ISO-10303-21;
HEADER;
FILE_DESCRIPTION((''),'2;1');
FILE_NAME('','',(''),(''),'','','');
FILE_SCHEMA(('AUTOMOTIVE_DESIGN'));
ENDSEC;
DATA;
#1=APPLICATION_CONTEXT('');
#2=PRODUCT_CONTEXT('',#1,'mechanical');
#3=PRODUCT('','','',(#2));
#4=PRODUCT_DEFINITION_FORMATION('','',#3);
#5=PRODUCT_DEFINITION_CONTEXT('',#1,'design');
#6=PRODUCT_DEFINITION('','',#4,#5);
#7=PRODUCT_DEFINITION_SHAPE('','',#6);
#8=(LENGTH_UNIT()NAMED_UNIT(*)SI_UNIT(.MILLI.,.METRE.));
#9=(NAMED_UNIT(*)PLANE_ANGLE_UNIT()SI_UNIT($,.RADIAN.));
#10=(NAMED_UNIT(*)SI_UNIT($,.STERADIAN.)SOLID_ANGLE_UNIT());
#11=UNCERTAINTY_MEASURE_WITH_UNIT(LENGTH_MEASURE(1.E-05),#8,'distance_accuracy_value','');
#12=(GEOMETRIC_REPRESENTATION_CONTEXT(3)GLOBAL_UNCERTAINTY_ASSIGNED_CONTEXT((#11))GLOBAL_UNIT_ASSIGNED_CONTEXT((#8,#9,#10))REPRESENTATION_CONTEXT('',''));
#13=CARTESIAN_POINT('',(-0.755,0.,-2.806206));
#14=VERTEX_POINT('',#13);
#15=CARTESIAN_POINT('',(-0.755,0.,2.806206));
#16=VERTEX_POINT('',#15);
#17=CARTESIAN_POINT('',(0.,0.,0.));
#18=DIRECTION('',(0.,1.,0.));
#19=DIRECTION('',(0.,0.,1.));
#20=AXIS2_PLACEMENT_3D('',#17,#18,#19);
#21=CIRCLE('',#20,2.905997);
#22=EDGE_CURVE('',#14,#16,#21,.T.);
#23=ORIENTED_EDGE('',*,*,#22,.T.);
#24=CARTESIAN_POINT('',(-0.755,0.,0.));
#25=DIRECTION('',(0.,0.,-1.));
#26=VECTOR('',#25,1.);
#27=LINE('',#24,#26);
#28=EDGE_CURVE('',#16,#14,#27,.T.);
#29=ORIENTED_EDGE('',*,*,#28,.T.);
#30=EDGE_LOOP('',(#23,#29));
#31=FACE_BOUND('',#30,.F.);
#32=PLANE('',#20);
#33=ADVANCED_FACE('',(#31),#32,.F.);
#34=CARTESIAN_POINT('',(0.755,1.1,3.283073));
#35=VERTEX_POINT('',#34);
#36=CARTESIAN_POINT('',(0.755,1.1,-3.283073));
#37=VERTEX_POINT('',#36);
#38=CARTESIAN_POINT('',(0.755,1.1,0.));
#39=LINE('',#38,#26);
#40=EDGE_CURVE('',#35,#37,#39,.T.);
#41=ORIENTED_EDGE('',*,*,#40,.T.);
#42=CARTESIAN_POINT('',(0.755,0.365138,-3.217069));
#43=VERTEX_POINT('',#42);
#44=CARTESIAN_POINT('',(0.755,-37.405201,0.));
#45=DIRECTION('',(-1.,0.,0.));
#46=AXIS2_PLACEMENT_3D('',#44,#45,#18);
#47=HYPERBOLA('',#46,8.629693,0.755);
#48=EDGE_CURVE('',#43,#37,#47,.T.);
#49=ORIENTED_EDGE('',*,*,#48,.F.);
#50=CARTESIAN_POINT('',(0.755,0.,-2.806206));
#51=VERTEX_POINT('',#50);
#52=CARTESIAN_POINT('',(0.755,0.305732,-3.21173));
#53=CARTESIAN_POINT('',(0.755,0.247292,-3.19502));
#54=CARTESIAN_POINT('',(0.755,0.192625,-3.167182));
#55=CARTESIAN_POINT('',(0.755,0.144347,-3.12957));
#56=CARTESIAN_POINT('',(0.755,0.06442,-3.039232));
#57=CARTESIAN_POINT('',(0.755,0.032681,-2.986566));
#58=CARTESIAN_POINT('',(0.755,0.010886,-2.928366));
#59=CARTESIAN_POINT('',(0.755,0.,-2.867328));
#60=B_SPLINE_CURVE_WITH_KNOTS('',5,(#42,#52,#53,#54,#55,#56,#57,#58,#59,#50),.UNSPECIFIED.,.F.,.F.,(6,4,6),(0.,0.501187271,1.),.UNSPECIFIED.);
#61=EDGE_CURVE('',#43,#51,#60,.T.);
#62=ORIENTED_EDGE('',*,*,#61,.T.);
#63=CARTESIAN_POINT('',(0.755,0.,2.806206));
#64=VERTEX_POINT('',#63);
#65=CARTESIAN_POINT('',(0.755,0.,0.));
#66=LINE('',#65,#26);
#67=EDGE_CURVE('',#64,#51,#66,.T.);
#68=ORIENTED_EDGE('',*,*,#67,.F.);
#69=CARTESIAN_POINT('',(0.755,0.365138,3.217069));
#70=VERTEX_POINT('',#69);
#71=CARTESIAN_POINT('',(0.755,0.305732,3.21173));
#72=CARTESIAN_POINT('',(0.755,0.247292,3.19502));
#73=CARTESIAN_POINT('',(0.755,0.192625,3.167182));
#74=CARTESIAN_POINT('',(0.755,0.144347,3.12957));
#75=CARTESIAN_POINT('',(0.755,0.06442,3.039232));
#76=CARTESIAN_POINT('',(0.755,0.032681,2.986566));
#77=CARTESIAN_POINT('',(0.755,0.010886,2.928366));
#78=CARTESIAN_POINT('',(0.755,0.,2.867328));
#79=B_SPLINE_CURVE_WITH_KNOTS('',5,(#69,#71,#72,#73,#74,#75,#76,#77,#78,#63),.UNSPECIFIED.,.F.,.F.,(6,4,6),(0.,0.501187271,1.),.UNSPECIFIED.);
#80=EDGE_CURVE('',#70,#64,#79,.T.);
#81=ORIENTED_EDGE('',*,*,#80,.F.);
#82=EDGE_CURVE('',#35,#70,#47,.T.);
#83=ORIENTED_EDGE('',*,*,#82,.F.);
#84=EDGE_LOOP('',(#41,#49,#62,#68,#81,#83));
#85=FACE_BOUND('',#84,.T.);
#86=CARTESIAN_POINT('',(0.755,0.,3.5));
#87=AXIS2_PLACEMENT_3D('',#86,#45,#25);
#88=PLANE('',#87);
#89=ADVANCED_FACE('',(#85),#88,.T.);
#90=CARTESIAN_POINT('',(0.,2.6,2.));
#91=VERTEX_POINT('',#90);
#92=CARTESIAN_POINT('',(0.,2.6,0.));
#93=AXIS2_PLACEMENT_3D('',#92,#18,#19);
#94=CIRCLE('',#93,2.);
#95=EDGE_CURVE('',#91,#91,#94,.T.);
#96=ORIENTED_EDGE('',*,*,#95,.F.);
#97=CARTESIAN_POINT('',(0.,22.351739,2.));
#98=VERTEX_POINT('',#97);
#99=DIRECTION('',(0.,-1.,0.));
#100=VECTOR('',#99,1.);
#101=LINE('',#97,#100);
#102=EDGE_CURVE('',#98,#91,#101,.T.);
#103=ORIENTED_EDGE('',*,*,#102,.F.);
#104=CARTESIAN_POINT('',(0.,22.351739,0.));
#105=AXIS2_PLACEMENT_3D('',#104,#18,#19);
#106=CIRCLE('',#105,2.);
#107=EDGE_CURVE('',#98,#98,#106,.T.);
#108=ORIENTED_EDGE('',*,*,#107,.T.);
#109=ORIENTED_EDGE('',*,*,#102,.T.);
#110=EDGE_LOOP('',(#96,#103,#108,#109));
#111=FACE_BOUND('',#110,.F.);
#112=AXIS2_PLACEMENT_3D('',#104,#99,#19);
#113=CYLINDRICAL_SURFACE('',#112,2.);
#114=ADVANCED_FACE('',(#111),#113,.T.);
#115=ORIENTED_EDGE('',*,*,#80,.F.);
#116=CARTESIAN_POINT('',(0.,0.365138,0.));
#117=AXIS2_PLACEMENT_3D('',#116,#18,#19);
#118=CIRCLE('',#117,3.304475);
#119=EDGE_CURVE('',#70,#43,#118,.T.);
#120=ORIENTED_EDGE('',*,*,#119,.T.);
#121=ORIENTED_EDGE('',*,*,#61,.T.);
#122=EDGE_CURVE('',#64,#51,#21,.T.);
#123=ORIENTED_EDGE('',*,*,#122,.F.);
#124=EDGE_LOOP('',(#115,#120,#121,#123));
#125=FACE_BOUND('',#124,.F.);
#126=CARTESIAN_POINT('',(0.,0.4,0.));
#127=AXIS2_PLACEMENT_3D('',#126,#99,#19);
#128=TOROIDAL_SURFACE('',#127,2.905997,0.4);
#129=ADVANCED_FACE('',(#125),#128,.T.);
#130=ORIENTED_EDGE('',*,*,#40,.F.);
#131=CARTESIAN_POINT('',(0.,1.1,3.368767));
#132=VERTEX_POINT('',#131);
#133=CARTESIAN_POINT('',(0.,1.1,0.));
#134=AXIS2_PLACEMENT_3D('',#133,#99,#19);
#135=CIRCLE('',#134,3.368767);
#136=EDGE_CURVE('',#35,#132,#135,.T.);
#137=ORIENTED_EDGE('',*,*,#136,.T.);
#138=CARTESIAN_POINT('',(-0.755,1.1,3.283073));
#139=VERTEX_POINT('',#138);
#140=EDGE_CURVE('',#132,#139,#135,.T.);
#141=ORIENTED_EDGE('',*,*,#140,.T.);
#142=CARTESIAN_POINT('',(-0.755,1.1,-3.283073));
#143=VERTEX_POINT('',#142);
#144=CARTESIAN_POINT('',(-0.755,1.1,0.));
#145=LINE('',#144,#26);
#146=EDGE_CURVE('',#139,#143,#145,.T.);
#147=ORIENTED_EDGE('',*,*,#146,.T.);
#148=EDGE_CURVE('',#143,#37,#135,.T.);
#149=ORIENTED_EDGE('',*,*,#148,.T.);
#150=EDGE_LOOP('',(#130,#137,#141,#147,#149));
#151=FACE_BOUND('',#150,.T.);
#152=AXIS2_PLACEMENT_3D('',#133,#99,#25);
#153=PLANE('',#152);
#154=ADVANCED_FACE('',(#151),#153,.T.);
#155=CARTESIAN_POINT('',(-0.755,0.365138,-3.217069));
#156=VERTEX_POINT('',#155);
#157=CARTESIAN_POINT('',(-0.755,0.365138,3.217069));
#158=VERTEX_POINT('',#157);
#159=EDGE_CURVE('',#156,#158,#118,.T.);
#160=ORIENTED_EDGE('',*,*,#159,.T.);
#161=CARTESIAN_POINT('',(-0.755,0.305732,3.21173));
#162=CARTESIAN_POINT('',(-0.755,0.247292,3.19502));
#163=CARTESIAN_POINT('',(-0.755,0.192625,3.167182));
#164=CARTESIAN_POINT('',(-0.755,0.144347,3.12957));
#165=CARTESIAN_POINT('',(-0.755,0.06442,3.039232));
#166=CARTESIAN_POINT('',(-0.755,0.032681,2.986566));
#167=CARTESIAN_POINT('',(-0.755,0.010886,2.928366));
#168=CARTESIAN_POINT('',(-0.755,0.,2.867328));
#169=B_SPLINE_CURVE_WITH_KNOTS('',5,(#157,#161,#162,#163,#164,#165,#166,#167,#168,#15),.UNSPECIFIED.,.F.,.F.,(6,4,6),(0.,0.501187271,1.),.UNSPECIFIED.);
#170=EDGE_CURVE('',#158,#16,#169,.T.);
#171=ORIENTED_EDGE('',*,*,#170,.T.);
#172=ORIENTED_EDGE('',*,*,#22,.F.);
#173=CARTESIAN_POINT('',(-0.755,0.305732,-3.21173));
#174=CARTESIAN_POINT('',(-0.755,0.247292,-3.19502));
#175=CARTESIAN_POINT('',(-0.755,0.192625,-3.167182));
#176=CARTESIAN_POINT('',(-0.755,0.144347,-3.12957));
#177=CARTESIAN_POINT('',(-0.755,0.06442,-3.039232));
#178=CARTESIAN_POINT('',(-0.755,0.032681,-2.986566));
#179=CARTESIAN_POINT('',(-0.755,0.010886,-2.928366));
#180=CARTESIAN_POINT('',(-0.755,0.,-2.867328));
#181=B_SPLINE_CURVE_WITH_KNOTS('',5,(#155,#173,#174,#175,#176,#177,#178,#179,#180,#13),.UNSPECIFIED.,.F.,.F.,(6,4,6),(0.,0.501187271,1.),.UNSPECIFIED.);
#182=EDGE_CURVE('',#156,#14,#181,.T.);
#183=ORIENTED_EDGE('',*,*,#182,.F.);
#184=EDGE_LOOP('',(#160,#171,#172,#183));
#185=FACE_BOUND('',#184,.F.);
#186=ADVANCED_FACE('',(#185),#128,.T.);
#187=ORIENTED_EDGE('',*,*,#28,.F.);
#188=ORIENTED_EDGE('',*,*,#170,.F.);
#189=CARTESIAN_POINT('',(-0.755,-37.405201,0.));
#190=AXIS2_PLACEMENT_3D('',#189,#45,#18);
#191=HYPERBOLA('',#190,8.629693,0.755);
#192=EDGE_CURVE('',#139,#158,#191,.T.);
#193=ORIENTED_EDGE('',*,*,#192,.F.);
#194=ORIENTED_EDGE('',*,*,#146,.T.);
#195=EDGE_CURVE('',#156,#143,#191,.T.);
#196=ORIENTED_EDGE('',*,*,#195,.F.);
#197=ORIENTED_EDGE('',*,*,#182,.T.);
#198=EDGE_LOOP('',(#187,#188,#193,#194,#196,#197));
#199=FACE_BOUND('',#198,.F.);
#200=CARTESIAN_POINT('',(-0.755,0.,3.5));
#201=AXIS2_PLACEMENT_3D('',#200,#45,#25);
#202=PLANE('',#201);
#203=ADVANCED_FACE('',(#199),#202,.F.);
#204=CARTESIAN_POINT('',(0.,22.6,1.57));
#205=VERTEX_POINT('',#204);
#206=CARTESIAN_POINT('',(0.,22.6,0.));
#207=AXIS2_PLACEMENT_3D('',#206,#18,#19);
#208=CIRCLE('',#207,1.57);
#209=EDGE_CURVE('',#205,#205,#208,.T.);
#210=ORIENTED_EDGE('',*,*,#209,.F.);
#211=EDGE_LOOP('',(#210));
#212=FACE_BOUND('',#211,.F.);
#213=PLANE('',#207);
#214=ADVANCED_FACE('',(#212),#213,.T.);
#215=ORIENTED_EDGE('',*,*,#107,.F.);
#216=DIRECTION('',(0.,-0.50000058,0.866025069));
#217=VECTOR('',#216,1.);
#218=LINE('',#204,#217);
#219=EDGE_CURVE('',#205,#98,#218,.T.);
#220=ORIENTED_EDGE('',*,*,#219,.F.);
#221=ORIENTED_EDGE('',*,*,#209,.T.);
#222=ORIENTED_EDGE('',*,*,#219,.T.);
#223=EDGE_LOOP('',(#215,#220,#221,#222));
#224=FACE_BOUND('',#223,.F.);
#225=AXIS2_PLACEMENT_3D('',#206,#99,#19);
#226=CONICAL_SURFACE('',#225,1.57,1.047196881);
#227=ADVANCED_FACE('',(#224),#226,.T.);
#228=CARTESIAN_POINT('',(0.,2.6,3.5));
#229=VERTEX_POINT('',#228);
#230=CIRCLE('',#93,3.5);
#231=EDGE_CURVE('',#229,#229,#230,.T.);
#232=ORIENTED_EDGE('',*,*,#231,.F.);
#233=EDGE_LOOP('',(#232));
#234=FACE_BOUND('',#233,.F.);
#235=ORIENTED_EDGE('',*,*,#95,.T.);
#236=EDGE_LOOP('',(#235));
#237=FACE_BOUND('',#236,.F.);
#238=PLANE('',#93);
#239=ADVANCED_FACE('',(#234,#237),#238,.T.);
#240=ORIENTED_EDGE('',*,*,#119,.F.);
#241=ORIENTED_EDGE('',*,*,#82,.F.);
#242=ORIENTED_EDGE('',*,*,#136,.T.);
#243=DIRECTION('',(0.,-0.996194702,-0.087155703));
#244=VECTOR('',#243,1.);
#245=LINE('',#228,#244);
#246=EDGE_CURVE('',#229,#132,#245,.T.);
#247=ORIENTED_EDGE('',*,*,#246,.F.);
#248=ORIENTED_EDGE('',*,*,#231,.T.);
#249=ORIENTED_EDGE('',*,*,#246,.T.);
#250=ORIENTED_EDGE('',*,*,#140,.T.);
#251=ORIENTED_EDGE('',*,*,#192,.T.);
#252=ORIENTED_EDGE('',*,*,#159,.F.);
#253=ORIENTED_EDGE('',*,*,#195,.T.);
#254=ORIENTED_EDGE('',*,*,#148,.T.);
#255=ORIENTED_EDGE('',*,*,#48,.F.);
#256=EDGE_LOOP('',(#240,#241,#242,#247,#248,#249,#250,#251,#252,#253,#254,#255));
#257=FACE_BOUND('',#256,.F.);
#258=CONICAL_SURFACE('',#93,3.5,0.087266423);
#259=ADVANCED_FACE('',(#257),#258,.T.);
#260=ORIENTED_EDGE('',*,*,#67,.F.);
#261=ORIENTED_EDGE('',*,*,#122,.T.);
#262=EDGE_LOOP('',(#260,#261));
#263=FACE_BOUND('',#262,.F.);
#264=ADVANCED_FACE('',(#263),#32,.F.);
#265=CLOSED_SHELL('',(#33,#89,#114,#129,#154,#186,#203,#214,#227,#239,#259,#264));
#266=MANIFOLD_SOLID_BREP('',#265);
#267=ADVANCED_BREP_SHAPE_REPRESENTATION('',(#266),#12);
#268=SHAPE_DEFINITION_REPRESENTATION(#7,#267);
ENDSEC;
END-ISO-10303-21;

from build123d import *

# Parameters (mm, degrees)
SKETCH001_W  = 7
SKETCH001_H  = 1.51
POCKET_DEPTH = 1.1


with BuildPart() as part:
    # Sketch → Revolution (revolve)
    with BuildSketch(Plane.YZ):
        with BuildLine():
            Line((0, 2.905997), (0, 0))
            Line((0, 0), (22.6, 0))
            Line((22.6, 0), (22.6, 1.57))
            Line((22.6, 1.57), (22.351739, 2))
            Line((22.351739, 2), (2.6, 2))
            Line((2.6, 2), (2.6, 3.5))
            Line((2.6, 3.5), (0.365138, 3.304475))
            ThreePointArc((0.365138, 3.304475), (0.105089, 3.176233), (0, 2.905997))
        make_face()
    revolve(axis=Axis((0, 0, 0), (0, 1, 0)))

    # Sketch001 → Pocket (cut)
    with BuildSketch(Plane(origin=(0, 0, 0), x_dir=(0, 0, -1), z_dir=(0, -1, 0))):
        Rectangle(SKETCH001_W, SKETCH001_H)
    extrude(amount=-POCKET_DEPTH, mode=Mode.SUBTRACT)


solid = part.part
